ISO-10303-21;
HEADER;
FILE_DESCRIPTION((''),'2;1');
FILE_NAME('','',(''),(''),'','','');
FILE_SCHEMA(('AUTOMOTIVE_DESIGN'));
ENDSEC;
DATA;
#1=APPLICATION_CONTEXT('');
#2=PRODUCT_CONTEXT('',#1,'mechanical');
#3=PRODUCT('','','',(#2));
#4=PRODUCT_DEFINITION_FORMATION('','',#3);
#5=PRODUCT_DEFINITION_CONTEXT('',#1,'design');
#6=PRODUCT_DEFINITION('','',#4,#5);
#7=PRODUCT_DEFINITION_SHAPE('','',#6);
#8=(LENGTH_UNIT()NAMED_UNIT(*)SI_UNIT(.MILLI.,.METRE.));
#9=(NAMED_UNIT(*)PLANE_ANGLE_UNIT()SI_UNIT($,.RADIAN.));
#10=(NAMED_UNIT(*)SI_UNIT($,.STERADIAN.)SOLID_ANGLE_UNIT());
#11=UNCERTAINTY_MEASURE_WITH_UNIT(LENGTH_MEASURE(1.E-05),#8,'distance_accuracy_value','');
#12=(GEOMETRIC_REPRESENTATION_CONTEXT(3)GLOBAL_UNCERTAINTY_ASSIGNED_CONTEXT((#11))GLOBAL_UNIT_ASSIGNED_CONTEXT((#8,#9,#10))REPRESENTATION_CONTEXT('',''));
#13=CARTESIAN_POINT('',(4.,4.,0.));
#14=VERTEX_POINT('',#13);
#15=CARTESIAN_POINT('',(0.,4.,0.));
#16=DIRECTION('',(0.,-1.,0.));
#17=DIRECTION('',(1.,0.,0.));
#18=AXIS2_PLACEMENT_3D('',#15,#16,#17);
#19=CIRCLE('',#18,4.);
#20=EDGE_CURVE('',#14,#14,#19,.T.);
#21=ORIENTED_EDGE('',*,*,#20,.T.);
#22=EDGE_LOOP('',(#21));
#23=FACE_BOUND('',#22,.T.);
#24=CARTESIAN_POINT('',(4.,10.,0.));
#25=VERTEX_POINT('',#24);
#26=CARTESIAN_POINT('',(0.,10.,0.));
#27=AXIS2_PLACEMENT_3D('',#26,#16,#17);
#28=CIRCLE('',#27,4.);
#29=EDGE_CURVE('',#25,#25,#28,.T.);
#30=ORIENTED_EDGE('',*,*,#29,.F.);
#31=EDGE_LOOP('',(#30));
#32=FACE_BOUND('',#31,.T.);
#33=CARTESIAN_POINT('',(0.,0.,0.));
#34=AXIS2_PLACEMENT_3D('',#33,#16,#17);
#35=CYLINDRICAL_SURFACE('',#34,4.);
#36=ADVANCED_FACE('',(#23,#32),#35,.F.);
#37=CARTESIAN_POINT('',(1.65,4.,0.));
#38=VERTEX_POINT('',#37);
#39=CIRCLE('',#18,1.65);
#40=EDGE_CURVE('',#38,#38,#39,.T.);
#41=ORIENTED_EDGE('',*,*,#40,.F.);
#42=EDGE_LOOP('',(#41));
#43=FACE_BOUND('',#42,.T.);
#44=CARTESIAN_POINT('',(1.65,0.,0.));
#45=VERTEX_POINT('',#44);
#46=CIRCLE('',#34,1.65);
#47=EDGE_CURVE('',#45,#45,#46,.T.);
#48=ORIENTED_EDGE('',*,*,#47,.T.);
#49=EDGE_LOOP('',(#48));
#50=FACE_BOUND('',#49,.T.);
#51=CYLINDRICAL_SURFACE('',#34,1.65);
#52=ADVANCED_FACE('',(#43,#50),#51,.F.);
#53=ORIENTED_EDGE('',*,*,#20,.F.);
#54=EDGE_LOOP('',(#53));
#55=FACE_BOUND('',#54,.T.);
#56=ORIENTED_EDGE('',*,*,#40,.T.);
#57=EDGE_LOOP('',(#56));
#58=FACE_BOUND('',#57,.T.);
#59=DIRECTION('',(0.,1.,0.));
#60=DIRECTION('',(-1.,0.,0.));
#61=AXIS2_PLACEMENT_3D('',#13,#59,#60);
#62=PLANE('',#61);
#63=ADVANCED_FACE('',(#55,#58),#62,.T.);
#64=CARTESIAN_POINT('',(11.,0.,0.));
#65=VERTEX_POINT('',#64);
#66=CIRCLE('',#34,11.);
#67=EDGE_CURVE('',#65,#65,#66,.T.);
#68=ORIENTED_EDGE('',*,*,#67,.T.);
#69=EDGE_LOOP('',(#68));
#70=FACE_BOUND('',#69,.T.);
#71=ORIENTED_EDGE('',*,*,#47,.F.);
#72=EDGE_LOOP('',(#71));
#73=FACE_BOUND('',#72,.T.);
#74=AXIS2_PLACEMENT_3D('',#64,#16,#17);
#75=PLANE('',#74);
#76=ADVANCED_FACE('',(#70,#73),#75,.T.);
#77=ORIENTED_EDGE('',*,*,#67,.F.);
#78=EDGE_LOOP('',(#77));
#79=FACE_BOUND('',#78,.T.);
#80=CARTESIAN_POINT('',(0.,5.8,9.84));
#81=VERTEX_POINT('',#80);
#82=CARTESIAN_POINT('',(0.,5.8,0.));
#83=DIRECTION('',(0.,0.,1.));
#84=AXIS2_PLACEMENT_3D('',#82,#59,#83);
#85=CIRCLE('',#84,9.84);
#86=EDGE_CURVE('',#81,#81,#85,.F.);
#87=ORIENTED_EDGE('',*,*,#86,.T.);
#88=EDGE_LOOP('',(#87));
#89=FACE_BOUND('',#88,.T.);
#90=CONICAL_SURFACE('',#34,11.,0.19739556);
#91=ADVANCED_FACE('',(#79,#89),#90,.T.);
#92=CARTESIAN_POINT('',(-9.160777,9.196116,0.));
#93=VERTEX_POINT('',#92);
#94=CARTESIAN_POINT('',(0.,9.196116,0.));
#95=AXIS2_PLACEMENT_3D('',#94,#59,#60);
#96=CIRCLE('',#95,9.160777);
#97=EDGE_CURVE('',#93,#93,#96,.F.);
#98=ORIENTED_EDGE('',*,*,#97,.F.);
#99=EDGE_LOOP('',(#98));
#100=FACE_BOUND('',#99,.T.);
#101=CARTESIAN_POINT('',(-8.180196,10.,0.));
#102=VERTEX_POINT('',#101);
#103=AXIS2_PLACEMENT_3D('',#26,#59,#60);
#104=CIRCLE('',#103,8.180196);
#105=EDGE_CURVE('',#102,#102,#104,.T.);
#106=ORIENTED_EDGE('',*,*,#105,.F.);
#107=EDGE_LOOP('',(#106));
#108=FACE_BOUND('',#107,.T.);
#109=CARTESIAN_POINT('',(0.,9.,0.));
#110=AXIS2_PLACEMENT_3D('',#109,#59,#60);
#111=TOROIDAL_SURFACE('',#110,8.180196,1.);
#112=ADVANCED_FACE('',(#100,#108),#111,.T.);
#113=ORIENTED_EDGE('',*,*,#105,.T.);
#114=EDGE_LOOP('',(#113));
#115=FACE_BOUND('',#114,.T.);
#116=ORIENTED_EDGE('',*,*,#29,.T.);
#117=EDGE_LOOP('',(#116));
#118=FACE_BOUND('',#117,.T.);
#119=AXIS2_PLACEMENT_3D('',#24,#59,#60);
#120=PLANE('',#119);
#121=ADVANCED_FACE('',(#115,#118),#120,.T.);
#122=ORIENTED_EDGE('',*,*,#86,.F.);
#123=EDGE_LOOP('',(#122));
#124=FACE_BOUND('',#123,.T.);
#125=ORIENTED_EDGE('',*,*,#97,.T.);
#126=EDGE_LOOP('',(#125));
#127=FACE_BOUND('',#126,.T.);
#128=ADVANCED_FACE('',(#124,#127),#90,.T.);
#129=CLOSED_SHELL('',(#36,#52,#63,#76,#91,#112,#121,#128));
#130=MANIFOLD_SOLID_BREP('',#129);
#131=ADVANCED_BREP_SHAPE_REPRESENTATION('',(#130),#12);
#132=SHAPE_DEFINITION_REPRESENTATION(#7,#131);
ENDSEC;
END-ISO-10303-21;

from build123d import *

# Parameters (mm, degrees)
FILLET_1_R = 1


with BuildPart() as part:
    # 草图6 → 旋转1 (revolve)
    with BuildSketch(Plane.XY):
        Polygon((1.65, 0), (1.65, 4), (4, 4), (4, 10), (9, 10), (11, 0), align=None)
    revolve(axis=Axis((0, 0, 0), (0, 1, 0)))

    # 圆角1
    fillet_1_edges = [part.edges().sort_by_distance(p)[0] for p in [
        (-9, 10, 0),
    ]]
    fillet(fillet_1_edges, radius=FILLET_1_R)


solid = part.part
